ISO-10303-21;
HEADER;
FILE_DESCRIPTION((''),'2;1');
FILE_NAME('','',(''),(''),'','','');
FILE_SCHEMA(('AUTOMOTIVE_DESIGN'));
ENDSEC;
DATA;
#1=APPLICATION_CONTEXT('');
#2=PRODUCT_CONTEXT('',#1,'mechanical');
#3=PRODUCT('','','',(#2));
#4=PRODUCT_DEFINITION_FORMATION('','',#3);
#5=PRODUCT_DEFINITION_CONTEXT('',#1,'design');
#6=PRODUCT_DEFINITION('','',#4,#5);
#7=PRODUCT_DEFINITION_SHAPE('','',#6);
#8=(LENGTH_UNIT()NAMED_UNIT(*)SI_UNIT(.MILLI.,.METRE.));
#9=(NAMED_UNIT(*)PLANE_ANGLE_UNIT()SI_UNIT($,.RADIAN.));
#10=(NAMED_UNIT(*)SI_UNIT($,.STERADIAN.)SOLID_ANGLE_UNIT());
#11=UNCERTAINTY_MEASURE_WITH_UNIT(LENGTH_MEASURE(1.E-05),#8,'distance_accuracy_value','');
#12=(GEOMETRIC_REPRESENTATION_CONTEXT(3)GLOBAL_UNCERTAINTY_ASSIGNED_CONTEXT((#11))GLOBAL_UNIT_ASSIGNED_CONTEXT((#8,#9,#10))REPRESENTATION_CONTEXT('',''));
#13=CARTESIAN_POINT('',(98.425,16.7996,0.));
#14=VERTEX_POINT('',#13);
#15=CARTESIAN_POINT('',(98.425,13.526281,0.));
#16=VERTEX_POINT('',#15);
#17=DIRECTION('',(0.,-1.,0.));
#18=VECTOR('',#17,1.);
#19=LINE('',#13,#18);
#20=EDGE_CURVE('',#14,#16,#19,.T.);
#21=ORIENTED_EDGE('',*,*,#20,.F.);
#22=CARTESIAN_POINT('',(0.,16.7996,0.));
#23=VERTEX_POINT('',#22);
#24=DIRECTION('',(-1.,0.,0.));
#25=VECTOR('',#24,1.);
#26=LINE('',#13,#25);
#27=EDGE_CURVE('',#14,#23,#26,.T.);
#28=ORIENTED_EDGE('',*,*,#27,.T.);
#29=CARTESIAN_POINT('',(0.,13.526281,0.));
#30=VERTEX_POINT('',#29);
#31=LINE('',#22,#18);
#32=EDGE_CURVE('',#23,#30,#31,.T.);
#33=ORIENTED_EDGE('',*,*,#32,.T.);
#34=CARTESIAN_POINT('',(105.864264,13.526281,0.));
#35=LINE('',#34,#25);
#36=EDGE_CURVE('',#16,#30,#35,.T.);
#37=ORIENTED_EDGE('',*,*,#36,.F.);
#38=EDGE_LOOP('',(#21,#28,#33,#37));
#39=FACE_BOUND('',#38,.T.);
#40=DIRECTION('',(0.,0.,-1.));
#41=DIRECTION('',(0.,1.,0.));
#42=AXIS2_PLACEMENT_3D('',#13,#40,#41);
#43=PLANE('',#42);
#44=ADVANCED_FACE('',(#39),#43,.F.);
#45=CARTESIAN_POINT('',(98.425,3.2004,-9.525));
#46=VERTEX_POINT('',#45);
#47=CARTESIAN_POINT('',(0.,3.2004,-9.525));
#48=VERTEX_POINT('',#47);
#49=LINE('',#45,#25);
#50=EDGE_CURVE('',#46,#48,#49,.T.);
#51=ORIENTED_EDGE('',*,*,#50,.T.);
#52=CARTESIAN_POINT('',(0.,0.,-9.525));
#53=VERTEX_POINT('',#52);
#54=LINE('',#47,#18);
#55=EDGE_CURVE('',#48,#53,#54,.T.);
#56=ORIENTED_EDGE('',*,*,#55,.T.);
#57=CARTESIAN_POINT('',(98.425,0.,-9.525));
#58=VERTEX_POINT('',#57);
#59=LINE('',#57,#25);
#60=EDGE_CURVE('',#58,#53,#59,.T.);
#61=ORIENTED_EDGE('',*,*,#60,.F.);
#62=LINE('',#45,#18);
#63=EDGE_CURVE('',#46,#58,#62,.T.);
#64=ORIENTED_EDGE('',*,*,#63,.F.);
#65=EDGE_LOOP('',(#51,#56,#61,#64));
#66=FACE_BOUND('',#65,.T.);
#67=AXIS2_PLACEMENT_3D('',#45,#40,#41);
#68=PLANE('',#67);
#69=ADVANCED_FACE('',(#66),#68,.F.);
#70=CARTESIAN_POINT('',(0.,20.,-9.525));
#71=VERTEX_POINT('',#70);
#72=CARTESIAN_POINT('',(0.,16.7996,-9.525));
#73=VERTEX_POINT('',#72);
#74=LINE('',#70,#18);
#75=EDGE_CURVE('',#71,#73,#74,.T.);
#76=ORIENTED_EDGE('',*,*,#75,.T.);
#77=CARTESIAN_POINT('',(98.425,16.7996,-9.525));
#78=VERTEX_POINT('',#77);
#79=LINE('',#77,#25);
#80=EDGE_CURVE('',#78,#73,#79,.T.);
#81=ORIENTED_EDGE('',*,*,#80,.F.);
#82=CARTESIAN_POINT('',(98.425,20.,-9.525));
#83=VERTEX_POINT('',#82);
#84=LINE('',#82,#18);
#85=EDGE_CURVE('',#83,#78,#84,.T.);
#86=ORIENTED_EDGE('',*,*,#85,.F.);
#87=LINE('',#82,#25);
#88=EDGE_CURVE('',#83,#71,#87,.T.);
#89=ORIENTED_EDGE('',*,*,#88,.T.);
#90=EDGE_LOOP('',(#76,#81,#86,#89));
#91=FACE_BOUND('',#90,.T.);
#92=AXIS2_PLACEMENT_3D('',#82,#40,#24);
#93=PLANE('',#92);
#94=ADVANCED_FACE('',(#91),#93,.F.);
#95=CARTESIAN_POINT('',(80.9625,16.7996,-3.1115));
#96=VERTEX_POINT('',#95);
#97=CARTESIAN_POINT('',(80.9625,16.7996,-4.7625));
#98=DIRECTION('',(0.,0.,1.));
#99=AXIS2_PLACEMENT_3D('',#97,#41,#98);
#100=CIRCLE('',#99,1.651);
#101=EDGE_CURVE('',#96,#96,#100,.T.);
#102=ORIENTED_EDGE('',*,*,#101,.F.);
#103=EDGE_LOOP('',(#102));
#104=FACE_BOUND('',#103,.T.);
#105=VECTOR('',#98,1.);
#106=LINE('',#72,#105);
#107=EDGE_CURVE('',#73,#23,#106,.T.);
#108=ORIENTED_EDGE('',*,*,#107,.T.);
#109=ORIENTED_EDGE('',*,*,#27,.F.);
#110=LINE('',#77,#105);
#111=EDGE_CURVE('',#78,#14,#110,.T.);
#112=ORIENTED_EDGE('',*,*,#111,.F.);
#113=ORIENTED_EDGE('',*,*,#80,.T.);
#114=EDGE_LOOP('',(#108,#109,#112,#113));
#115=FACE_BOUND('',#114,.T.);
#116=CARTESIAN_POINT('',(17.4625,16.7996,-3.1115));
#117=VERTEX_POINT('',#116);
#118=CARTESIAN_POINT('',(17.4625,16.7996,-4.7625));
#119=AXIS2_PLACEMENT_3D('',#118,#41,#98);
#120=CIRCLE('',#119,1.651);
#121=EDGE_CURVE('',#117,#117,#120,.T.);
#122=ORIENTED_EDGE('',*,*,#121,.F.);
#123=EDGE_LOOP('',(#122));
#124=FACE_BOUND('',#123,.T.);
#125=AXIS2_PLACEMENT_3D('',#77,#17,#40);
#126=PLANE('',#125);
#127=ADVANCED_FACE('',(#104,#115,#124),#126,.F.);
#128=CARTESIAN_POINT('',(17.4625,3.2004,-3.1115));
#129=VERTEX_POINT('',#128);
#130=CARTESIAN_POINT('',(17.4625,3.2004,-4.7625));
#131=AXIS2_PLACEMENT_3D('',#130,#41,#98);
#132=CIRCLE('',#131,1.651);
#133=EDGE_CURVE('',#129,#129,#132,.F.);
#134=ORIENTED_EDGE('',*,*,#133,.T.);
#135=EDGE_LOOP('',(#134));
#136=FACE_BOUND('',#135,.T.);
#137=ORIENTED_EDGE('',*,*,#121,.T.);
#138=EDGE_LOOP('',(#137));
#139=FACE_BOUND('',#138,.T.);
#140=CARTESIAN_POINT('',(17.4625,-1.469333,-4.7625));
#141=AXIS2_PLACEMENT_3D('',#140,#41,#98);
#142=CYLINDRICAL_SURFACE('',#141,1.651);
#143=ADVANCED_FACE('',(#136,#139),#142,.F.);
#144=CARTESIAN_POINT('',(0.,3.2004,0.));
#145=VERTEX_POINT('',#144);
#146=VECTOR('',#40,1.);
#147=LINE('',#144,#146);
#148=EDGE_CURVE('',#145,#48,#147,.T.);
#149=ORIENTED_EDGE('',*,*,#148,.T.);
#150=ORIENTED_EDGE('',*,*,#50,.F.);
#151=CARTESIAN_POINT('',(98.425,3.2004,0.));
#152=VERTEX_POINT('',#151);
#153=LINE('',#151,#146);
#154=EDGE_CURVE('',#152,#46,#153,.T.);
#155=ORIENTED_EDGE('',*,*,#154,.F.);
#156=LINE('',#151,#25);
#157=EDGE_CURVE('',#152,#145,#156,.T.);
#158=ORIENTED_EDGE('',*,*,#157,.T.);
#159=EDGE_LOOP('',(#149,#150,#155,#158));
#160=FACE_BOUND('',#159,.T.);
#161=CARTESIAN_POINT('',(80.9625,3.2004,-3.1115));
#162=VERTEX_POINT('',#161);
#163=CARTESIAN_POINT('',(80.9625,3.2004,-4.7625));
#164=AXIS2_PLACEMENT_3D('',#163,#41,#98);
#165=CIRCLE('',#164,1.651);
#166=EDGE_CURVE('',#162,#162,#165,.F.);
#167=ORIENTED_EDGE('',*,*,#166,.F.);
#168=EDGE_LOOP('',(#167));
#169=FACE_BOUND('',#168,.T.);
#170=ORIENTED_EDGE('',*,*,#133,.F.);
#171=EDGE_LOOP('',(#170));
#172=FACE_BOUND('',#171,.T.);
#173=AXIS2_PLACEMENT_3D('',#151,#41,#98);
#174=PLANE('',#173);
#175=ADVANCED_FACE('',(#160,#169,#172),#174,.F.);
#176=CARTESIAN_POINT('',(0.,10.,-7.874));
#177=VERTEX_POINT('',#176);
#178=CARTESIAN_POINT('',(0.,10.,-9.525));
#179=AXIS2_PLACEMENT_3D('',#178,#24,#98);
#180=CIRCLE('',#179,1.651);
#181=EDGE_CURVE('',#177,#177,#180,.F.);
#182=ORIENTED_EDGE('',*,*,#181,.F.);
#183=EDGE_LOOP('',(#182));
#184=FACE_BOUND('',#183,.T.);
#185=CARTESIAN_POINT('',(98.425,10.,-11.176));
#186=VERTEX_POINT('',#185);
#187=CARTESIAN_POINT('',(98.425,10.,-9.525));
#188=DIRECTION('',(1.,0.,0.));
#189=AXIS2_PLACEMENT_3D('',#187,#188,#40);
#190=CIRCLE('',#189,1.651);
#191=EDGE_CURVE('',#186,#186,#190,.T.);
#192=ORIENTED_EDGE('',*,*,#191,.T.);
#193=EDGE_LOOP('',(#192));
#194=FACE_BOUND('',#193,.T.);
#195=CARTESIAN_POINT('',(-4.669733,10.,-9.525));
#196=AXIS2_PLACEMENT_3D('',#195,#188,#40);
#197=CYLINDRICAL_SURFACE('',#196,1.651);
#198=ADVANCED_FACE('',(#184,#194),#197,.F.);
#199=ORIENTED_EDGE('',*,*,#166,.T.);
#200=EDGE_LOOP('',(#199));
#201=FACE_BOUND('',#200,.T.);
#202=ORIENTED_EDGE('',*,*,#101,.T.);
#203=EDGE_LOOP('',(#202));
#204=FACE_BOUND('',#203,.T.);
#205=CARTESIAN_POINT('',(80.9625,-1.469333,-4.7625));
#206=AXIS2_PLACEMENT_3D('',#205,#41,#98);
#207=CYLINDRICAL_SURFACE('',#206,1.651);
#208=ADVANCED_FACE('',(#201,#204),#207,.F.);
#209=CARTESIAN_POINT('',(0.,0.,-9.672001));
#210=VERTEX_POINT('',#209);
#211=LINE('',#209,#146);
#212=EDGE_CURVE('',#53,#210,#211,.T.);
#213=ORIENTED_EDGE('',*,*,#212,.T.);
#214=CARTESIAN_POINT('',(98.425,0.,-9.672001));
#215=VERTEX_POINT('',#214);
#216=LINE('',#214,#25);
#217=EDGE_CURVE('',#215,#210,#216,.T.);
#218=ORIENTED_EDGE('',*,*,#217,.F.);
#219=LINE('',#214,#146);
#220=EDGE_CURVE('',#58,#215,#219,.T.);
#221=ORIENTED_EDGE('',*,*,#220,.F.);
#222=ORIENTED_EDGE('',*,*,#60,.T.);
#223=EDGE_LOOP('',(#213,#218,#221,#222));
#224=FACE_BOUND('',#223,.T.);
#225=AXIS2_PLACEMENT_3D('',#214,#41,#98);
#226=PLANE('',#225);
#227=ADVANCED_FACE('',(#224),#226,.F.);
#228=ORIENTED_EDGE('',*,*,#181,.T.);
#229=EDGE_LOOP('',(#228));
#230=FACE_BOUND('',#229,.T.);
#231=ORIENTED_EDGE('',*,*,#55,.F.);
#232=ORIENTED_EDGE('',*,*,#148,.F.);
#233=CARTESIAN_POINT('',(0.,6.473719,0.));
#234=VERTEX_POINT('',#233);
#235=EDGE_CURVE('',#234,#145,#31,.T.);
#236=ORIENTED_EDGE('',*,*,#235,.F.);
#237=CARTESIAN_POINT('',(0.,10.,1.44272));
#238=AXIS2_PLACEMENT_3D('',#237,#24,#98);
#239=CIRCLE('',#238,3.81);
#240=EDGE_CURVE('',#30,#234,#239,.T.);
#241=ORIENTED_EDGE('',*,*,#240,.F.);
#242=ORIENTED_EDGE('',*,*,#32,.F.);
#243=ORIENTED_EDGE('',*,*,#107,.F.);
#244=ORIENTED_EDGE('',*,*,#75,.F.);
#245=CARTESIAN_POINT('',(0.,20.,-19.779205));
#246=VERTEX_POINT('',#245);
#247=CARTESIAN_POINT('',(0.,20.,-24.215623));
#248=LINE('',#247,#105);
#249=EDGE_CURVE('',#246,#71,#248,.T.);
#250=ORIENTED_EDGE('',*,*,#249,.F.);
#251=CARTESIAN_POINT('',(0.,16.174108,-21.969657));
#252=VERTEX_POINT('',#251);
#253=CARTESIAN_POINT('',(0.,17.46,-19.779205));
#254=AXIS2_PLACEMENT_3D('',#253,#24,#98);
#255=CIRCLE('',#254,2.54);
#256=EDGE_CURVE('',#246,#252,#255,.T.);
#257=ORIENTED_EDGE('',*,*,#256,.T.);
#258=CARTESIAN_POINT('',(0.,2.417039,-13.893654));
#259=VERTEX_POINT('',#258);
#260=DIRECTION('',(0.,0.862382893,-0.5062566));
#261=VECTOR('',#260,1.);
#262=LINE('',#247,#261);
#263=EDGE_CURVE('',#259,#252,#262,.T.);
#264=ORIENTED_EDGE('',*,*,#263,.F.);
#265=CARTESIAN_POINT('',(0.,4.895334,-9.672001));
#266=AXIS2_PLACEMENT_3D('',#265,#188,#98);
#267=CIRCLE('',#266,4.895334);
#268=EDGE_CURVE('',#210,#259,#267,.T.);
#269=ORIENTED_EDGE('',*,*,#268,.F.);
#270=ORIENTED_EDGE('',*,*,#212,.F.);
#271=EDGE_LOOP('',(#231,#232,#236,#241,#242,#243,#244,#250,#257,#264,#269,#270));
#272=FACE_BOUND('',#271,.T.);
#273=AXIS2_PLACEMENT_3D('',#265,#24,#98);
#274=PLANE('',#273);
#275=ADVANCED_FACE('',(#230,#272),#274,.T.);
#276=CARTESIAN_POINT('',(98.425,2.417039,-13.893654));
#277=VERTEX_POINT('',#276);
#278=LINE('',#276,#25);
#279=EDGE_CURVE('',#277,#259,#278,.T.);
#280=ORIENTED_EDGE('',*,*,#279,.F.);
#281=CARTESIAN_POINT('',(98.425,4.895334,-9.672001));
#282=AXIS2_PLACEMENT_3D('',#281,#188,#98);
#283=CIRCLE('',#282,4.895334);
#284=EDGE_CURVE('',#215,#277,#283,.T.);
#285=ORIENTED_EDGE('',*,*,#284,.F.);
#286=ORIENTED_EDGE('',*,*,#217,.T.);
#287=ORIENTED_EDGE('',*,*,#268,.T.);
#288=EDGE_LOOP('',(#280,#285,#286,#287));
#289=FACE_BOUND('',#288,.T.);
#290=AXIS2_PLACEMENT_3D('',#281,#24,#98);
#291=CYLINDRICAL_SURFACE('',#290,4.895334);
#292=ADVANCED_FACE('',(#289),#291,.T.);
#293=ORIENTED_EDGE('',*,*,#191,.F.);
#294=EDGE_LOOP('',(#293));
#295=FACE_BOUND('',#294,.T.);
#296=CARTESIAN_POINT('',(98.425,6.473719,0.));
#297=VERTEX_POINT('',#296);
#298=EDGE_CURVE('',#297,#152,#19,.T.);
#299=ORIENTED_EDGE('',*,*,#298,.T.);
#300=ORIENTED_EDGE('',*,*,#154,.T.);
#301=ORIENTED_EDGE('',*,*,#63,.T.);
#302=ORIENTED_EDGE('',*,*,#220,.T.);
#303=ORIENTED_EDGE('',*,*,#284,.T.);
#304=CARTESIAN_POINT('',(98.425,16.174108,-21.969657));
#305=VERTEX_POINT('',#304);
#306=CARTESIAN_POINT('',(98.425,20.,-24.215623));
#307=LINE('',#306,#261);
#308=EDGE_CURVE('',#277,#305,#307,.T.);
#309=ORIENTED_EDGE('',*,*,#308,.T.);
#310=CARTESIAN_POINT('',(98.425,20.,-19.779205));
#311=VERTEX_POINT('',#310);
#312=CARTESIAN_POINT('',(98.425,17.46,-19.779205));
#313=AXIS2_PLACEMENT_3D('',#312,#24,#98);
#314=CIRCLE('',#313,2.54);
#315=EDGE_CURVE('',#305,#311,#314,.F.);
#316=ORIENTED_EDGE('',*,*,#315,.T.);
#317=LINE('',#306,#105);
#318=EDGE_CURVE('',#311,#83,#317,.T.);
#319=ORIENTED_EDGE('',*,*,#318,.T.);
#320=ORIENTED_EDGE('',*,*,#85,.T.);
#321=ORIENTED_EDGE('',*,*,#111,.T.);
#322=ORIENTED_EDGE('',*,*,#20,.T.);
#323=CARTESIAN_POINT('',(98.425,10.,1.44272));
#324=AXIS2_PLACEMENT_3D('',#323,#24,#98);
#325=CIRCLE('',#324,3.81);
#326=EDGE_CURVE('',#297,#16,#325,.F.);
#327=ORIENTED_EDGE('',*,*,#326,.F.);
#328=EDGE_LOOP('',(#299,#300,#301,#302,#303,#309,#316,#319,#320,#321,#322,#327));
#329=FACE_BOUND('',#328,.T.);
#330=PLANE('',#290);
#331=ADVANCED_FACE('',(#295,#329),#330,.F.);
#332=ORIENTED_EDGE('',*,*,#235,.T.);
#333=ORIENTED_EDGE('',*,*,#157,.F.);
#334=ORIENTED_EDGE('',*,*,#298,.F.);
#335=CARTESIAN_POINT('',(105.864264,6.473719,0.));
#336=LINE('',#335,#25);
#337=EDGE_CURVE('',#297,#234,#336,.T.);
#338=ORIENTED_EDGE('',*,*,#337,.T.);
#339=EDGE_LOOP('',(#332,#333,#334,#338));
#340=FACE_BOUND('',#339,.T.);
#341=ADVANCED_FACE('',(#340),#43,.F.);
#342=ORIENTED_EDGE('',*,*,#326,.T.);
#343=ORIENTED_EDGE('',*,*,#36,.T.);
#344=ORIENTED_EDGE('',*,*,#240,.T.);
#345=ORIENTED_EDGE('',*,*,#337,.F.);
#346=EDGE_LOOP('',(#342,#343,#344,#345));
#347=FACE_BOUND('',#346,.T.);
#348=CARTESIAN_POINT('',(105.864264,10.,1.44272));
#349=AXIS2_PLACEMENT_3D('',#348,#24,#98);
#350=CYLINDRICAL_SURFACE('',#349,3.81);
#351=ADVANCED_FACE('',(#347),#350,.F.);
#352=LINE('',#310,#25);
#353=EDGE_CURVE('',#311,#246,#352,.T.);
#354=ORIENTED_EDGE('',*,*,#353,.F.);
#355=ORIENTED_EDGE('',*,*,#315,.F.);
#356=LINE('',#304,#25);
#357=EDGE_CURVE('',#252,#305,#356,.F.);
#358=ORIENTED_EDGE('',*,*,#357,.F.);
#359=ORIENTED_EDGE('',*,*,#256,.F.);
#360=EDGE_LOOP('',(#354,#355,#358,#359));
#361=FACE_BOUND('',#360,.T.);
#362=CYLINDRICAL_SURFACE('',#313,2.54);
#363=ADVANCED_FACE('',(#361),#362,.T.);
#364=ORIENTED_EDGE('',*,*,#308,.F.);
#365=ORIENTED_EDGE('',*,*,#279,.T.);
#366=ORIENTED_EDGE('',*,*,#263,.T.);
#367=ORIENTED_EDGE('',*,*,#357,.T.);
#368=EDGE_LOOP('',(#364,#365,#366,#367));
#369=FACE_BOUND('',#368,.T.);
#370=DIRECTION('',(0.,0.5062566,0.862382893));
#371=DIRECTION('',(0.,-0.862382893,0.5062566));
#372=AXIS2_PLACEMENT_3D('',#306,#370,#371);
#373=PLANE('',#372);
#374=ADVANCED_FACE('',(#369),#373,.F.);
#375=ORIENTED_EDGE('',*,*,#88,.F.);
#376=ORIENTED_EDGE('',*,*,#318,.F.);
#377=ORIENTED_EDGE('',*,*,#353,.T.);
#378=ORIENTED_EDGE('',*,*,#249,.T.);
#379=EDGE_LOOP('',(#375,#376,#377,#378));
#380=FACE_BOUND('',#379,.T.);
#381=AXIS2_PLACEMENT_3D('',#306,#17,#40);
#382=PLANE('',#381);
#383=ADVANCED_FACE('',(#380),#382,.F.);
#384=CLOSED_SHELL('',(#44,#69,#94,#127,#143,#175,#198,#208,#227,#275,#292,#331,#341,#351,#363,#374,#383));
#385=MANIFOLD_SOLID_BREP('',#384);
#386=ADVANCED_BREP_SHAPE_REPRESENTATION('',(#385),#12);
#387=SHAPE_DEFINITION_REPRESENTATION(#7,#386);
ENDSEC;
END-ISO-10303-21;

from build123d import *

# Parameters (mm, degrees)
BOSS_EXTRUDE1_DEPTH = 98.425
CUT_EXTRUDE2_DEPTH  = 98.425
SKETCH5_R           = 1.651
CUT_EXTRUDE3_DEPTH  = 13.5992
FILLET1_R           = 2.54
SKETCH6_R           = 1.651
CUT_EXTRUDE4_DEPTH  = 98.425


with BuildPart() as part:
    # Sketch1 → Boss-Extrude1 (new body)
    with BuildSketch(Plane(origin=(0, 0, 0), x_dir=(0, 0, -1), z_dir=(1, 0, 0))):
        with BuildLine():
            Line((0, 16.7996), (0, 3.2004))
            Line((0, 3.2004), (9.525, 3.2004))
            Line((9.525, 3.2004), (9.525, 0))
            Line((9.525, 0), (9.672001208, 0))
            ThreePointArc((9.672001208, 0), (12.1043061, 0.647018058), (13.89365381, 2.417039025))
            Line((13.89365381, 2.417039025), (24.215623453, 20))
            Line((24.215623453, 20), (9.525, 20))
            Line((9.525, 20), (9.525, 16.7996))
            Line((9.525, 16.7996), (0, 16.7996))
        make_face()
    extrude(amount=BOSS_EXTRUDE1_DEPTH)

    # Sketch4 → Cut-Extrude2 (cut)
    with BuildSketch(Plane.ZY):
        with BuildLine():
            Line((0, 13.526281186), (0, 6.473718814))
            ThreePointArc((0, 6.473718814), (-2.36728, 10), (0, 13.526281186))
        make_face()
    extrude(amount=-CUT_EXTRUDE2_DEPTH, mode=Mode.SUBTRACT)

    # Sketch5 → Cut-Extrude3 (cut)
    with BuildSketch(Plane(origin=(0, 16.7996, 0), x_dir=(1, 0, 0), z_dir=(0, 1, 0))):
        with Locations((17.4625, 4.7625)):
            Circle(SKETCH5_R)
        with Locations((80.9625, 4.7625)):
            Circle(SKETCH5_R)
    extrude(amount=-CUT_EXTRUDE3_DEPTH, mode=Mode.SUBTRACT)

    # Fillet1
    fillet1_edges = [part.edges().sort_by_distance(p)[0] for p in [
        (49.2125, 20, -24.215623453),
    ]]
    fillet(fillet1_edges, radius=FILLET1_R)

    # Sketch6 → Cut-Extrude4 (cut)
    with BuildSketch(Plane(origin=(98.425, 0, 0), x_dir=(0, 0, -1), z_dir=(1, 0, 0))):
        with Locations((9.525, 10)):
            Circle(SKETCH6_R)
    extrude(amount=-CUT_EXTRUDE4_DEPTH, mode=Mode.SUBTRACT)


solid = part.part
